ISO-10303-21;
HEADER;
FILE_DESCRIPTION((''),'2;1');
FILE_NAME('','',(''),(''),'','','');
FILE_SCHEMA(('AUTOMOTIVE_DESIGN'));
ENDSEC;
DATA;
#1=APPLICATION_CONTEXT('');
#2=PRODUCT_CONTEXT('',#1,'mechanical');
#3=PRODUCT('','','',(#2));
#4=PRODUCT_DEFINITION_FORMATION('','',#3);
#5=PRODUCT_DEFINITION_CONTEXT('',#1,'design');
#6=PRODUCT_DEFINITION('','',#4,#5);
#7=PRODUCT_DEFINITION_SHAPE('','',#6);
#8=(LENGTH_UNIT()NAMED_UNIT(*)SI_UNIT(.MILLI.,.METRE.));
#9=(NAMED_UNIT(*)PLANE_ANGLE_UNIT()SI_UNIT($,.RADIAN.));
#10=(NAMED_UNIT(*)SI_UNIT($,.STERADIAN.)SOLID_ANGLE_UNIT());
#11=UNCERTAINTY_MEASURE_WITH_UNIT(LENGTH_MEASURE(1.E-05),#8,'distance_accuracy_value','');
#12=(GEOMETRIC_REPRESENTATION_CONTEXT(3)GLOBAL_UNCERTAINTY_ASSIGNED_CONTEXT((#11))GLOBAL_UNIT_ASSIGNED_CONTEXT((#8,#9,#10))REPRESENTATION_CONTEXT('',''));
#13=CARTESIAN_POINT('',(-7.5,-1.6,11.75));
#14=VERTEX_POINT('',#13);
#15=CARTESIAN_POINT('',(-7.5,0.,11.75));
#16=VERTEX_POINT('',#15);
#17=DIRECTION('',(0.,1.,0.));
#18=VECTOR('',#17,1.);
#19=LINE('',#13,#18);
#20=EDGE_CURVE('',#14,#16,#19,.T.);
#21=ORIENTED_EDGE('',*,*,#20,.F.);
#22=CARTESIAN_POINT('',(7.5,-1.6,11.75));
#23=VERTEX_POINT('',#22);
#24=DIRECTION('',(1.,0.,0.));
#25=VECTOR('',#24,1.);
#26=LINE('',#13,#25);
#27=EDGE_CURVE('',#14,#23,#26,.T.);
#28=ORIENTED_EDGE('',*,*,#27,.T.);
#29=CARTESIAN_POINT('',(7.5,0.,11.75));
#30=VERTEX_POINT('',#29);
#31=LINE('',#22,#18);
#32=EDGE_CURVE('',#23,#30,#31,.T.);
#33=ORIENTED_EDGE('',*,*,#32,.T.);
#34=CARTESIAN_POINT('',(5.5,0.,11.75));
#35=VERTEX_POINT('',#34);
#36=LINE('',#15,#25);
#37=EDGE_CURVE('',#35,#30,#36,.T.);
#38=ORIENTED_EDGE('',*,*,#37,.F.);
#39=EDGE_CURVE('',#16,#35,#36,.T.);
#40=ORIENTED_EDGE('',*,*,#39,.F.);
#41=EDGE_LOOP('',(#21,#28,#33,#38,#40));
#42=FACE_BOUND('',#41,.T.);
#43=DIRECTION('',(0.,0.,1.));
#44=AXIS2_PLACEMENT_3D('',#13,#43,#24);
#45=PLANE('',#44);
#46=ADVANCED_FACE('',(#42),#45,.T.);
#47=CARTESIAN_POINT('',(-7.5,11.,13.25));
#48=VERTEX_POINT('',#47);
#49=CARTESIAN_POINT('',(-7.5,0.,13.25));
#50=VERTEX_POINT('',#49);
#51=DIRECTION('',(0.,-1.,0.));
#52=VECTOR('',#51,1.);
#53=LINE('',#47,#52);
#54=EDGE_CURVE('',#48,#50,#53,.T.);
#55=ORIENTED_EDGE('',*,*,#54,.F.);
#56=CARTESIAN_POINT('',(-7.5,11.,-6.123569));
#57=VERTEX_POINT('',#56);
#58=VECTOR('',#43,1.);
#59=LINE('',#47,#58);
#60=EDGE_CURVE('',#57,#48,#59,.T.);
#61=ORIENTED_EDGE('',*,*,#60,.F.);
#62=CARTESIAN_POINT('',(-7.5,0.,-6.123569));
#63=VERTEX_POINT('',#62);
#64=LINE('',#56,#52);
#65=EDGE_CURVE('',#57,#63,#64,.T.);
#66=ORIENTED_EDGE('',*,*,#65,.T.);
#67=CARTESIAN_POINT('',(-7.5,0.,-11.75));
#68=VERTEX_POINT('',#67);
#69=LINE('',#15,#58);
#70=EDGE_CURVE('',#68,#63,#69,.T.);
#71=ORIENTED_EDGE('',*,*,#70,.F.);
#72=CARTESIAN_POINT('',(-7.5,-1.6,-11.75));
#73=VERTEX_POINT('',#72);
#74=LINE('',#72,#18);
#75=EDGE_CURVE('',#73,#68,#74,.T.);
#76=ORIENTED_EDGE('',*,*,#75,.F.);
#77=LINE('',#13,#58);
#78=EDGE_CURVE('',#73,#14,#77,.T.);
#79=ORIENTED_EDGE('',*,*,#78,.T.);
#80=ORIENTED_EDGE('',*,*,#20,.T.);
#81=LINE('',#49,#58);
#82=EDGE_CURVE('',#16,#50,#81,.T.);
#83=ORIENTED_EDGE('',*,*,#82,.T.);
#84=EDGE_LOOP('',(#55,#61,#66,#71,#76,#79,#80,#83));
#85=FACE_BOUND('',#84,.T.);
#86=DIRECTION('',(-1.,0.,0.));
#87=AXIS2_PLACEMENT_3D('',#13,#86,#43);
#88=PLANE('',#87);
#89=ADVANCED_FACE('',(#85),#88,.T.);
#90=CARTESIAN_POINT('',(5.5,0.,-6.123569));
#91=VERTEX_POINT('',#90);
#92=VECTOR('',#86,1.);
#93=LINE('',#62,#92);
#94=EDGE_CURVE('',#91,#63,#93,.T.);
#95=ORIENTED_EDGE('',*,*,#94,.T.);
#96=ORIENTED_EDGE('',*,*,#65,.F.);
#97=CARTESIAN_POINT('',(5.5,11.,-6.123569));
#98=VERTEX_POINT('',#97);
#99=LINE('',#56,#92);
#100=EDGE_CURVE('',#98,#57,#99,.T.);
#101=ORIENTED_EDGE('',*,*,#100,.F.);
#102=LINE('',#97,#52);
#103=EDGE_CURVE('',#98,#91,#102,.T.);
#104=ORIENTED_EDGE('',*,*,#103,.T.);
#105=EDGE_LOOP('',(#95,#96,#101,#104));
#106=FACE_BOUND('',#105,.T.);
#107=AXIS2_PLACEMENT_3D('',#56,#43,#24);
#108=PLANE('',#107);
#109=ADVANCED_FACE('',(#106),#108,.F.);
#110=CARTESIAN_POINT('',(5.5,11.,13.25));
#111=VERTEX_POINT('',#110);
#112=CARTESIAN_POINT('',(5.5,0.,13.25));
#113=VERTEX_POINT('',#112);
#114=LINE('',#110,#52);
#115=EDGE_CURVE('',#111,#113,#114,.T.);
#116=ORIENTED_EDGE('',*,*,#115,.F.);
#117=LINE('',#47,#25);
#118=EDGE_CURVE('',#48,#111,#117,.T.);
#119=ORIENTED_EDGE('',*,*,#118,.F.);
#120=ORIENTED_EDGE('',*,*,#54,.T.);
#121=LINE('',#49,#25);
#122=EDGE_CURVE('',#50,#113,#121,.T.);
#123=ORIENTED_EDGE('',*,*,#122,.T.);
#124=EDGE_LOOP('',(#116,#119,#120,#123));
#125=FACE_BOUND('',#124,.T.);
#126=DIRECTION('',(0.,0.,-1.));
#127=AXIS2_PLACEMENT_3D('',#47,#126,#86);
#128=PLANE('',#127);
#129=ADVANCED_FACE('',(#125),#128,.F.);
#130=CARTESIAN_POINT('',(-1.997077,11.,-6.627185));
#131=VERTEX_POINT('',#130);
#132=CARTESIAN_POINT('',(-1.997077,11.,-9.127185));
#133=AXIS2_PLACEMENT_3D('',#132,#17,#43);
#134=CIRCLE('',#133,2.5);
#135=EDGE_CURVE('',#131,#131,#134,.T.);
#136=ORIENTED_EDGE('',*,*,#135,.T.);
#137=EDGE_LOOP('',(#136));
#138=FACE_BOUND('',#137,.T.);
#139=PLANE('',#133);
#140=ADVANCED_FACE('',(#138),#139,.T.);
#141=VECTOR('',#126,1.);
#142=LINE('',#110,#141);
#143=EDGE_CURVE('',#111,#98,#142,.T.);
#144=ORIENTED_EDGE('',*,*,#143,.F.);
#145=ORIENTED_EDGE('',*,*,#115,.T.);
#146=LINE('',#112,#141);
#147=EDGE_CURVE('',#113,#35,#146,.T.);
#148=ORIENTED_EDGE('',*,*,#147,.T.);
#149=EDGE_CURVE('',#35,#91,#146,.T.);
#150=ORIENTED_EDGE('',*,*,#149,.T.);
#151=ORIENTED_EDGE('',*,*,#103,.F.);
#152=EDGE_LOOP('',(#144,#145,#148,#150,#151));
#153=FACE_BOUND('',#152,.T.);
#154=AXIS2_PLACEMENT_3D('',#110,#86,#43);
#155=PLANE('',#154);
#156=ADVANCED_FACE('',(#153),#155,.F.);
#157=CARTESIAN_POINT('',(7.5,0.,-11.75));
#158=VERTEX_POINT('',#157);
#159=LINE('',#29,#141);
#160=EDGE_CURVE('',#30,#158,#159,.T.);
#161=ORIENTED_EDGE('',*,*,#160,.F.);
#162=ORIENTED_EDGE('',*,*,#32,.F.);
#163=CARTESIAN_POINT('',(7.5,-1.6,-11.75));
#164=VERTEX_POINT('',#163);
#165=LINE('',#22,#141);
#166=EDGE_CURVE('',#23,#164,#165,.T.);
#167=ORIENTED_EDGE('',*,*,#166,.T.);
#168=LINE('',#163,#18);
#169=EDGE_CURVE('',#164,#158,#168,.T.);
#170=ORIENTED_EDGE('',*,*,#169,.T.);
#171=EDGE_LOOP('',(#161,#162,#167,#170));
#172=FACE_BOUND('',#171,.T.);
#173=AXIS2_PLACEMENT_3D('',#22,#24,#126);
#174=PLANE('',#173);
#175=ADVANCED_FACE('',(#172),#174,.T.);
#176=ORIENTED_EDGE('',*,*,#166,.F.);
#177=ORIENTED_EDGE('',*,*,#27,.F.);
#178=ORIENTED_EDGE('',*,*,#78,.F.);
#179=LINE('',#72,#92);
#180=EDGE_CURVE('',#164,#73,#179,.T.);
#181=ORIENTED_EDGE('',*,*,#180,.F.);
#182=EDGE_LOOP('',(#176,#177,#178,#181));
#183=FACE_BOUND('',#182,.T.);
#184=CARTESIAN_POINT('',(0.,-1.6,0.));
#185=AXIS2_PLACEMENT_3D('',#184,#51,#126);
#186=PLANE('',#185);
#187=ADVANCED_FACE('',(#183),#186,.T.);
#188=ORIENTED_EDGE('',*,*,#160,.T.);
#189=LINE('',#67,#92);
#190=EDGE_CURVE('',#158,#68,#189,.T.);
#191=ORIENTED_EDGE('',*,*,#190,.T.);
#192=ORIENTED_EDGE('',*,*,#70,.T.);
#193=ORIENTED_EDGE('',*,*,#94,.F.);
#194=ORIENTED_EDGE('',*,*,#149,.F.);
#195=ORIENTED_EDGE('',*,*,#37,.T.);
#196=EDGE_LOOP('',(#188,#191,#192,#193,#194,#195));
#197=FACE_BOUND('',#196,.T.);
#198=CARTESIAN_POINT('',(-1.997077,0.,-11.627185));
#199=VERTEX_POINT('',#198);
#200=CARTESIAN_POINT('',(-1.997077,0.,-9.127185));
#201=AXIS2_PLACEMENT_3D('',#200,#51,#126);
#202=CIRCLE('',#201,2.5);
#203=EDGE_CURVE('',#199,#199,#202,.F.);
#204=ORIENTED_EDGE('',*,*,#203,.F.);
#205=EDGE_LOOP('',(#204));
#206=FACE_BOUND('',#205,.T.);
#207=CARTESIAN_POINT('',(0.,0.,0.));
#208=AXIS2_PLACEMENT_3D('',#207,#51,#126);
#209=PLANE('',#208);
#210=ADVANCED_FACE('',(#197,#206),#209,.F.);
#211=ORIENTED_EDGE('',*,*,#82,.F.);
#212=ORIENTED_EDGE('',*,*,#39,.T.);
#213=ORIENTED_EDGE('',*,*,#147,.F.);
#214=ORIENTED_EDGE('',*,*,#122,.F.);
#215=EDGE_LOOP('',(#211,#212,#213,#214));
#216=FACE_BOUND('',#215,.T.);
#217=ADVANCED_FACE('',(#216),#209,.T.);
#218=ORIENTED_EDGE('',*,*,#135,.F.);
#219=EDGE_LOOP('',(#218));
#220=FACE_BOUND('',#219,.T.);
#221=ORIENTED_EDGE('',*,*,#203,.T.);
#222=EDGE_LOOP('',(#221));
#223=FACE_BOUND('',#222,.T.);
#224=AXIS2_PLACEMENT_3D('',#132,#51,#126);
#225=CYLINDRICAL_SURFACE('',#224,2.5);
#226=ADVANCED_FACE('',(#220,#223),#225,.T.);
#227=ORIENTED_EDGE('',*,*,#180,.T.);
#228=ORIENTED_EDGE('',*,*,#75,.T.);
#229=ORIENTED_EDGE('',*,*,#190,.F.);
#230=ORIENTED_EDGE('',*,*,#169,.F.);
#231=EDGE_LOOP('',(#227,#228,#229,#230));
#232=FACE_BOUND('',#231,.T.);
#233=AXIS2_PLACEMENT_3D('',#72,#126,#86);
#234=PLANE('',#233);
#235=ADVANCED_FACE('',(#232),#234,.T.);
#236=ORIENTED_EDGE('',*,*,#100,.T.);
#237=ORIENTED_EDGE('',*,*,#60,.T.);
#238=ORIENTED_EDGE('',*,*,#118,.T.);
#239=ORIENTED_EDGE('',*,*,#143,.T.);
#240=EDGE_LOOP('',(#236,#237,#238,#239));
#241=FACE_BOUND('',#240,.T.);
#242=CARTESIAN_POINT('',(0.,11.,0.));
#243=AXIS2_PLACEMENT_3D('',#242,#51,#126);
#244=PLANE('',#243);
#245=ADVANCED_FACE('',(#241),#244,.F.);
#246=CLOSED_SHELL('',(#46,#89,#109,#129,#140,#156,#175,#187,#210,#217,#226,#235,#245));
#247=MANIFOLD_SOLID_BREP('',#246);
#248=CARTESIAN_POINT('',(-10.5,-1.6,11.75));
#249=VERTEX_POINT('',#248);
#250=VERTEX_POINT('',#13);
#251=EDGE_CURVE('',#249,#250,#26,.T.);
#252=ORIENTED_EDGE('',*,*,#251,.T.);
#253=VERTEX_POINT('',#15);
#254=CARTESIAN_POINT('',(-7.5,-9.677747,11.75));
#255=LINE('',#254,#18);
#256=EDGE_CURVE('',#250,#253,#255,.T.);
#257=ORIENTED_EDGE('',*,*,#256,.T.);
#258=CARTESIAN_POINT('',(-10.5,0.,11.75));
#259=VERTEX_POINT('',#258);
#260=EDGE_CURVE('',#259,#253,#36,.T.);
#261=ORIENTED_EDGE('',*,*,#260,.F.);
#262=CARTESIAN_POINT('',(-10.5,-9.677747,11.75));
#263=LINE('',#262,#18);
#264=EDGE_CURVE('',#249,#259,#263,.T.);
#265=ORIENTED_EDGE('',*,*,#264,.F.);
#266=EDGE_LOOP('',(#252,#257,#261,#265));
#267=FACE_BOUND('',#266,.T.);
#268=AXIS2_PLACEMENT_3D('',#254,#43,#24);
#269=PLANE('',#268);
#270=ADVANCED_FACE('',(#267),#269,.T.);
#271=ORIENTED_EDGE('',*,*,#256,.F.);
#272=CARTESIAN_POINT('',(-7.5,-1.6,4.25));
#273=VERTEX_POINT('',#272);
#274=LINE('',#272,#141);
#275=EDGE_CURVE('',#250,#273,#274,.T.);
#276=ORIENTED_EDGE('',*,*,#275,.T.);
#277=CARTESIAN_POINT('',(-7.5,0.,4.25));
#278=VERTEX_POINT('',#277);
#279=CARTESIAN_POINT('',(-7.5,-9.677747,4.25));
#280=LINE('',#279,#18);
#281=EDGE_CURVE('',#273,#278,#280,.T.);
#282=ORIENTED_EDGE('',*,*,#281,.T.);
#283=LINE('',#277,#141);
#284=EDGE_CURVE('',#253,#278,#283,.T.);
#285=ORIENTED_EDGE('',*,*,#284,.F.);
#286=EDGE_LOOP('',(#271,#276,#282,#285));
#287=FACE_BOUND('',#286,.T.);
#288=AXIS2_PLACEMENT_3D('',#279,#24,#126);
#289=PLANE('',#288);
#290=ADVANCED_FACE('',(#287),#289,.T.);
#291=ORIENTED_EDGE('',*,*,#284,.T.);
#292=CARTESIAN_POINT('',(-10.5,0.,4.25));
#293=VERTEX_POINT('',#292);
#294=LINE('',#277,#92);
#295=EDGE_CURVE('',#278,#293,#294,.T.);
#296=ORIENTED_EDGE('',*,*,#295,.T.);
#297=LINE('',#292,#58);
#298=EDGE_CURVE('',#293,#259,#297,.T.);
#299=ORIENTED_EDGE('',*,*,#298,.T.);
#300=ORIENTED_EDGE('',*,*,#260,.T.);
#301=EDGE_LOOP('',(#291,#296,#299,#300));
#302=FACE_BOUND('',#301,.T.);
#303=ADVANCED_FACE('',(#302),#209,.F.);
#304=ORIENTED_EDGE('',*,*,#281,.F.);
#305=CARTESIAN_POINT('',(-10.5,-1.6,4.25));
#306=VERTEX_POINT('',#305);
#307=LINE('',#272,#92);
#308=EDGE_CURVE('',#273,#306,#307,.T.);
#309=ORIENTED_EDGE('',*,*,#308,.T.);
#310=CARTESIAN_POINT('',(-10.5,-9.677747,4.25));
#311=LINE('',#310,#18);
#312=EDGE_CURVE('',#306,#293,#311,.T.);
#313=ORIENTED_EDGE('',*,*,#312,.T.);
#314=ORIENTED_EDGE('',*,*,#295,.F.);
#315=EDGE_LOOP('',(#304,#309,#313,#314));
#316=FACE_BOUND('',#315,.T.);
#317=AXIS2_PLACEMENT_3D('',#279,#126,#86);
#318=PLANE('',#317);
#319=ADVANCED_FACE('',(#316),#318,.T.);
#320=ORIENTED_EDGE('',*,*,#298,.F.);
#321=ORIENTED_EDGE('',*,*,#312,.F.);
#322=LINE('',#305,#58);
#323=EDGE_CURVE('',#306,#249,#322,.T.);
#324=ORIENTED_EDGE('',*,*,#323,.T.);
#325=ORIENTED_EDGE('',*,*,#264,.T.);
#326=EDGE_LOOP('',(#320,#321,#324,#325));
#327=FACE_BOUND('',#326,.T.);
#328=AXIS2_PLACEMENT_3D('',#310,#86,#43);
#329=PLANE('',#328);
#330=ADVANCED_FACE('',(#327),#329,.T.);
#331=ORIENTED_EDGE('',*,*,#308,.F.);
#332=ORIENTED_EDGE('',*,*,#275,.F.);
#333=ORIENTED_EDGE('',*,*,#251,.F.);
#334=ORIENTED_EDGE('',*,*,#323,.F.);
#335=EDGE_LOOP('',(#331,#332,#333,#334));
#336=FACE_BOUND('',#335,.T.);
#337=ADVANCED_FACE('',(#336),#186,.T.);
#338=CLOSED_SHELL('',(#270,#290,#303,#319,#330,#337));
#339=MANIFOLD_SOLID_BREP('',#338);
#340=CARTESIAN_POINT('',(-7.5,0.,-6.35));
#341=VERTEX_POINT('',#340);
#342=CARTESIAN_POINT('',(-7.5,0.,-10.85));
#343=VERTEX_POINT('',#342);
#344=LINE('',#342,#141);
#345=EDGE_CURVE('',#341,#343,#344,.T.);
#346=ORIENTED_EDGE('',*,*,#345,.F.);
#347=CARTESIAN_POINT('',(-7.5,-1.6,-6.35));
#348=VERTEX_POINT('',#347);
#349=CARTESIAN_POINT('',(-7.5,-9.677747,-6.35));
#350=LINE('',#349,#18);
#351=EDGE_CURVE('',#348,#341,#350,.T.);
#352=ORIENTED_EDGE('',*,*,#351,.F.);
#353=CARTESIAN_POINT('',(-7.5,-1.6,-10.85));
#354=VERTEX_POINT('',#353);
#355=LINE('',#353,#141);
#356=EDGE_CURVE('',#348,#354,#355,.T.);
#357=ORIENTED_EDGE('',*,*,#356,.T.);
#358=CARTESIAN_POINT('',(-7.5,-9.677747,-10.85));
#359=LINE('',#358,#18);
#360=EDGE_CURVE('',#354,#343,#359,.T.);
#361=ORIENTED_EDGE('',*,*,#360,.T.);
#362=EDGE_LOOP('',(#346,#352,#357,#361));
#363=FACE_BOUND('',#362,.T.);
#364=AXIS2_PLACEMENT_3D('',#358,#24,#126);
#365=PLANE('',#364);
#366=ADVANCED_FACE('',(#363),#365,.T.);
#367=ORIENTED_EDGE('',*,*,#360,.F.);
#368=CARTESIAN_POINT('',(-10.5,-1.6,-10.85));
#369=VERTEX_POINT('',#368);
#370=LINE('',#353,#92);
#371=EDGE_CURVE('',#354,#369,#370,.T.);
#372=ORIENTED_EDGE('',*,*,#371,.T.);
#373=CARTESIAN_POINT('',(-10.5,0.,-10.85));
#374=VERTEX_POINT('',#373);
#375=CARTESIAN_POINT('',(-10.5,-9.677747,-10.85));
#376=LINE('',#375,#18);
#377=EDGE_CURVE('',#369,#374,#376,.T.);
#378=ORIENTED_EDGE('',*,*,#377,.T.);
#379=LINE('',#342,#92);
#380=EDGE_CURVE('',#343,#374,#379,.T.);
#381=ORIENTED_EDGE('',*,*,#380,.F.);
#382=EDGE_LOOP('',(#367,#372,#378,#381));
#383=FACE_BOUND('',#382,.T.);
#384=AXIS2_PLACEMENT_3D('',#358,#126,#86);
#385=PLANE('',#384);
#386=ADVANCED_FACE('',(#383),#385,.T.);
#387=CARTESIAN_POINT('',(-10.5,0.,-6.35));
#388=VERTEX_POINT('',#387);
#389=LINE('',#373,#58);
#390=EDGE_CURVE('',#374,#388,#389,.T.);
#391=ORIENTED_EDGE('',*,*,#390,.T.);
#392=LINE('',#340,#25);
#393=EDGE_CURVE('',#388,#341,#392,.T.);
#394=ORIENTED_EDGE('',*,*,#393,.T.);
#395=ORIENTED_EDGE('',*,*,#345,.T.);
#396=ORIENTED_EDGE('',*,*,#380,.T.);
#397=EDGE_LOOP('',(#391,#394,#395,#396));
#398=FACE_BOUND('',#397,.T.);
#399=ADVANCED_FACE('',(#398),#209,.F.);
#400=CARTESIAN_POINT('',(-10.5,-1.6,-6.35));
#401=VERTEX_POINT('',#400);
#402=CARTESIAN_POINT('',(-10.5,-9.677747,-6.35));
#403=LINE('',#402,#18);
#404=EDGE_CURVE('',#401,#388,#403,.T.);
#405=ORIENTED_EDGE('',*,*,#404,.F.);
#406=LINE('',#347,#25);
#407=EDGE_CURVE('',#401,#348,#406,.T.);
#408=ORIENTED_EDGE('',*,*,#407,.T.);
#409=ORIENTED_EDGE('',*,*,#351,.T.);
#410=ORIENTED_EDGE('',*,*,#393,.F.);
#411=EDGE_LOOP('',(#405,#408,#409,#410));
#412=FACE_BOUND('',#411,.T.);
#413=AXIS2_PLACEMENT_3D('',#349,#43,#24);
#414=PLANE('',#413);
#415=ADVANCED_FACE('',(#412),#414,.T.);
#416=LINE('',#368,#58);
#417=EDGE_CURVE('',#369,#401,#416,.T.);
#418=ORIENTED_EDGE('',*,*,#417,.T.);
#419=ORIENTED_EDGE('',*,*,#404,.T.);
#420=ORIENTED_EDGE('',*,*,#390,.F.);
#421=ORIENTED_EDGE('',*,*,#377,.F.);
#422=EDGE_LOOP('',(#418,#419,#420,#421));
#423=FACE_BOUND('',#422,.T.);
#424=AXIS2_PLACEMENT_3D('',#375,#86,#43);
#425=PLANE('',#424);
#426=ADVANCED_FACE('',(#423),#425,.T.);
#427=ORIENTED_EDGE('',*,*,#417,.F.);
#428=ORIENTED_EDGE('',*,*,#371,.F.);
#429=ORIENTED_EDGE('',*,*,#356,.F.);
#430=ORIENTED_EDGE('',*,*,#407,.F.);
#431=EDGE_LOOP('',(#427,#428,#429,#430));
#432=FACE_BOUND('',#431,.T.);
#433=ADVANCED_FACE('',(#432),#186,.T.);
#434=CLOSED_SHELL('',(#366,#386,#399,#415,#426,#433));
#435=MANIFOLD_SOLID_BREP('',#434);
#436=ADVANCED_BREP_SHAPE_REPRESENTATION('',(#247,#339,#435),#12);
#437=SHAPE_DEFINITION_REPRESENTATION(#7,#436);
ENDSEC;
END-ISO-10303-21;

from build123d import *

# Parameters (mm, degrees)
SKETCH1_W             = 15
SKETCH1_H             = 23.5
BOSS_EXTRUDE1_DEPTH   = 1.6
SKETCH2_W             = 3
SKETCH2_H             = 4.5
BOSS_EXTRUDE2_DEPTH   = 1.6
SKETCH2_H_2           = 7.5
BOSS_EXTRUDE2_2_DEPTH = 1.6
SKETCH3_R             = 2.5
SKETCH3_W             = 13
SKETCH3_H             = 19.373569216
BOSS_EXTRUDE3_DEPTH   = 11


with BuildPart() as part:
    # Sketch1 → Boss-Extrude1 (new body)
    with BuildSketch(Plane(origin=(0, 0, 0), x_dir=(1, 0, 0), z_dir=(0, 1, 0))):
        Rectangle(SKETCH1_W, SKETCH1_H)
    extrude(amount=-BOSS_EXTRUDE1_DEPTH)

    # Sketch3 → Boss-Extrude3 (add)
    with BuildSketch(Plane(origin=(0, 0, 0), x_dir=(1, 0, 0), z_dir=(0, 1, 0))):
        with Locations((-1.997077294, 9.127185205)):
            Circle(SKETCH3_R)
        with Locations((-1, -3.563215392)):
            Rectangle(SKETCH3_W, SKETCH3_H)
    extrude(amount=BOSS_EXTRUDE3_DEPTH)


with BuildPart() as body_2:
    # Sketch2 → Boss-Extrude2 (new body)
    with BuildSketch(Plane(origin=(0, 0, 0), x_dir=(1, 0, 0), z_dir=(0, 1, 0))):
        with Locations((-9, 8.6)):
            Rectangle(SKETCH2_W, SKETCH2_H)
    extrude(amount=-BOSS_EXTRUDE2_DEPTH)


with BuildPart() as body_3:
    # Sketch2 → Boss-Extrude2 2 (new body)
    with BuildSketch(Plane(origin=(0, 0, 0), x_dir=(1, 0, 0), z_dir=(0, 1, 0))):
        with Locations((-9, -8)):
            Rectangle(SKETCH2_W, SKETCH2_H_2)
    extrude(amount=-BOSS_EXTRUDE2_2_DEPTH)


solid = Compound([part.part, body_2.part, body_3.part])
